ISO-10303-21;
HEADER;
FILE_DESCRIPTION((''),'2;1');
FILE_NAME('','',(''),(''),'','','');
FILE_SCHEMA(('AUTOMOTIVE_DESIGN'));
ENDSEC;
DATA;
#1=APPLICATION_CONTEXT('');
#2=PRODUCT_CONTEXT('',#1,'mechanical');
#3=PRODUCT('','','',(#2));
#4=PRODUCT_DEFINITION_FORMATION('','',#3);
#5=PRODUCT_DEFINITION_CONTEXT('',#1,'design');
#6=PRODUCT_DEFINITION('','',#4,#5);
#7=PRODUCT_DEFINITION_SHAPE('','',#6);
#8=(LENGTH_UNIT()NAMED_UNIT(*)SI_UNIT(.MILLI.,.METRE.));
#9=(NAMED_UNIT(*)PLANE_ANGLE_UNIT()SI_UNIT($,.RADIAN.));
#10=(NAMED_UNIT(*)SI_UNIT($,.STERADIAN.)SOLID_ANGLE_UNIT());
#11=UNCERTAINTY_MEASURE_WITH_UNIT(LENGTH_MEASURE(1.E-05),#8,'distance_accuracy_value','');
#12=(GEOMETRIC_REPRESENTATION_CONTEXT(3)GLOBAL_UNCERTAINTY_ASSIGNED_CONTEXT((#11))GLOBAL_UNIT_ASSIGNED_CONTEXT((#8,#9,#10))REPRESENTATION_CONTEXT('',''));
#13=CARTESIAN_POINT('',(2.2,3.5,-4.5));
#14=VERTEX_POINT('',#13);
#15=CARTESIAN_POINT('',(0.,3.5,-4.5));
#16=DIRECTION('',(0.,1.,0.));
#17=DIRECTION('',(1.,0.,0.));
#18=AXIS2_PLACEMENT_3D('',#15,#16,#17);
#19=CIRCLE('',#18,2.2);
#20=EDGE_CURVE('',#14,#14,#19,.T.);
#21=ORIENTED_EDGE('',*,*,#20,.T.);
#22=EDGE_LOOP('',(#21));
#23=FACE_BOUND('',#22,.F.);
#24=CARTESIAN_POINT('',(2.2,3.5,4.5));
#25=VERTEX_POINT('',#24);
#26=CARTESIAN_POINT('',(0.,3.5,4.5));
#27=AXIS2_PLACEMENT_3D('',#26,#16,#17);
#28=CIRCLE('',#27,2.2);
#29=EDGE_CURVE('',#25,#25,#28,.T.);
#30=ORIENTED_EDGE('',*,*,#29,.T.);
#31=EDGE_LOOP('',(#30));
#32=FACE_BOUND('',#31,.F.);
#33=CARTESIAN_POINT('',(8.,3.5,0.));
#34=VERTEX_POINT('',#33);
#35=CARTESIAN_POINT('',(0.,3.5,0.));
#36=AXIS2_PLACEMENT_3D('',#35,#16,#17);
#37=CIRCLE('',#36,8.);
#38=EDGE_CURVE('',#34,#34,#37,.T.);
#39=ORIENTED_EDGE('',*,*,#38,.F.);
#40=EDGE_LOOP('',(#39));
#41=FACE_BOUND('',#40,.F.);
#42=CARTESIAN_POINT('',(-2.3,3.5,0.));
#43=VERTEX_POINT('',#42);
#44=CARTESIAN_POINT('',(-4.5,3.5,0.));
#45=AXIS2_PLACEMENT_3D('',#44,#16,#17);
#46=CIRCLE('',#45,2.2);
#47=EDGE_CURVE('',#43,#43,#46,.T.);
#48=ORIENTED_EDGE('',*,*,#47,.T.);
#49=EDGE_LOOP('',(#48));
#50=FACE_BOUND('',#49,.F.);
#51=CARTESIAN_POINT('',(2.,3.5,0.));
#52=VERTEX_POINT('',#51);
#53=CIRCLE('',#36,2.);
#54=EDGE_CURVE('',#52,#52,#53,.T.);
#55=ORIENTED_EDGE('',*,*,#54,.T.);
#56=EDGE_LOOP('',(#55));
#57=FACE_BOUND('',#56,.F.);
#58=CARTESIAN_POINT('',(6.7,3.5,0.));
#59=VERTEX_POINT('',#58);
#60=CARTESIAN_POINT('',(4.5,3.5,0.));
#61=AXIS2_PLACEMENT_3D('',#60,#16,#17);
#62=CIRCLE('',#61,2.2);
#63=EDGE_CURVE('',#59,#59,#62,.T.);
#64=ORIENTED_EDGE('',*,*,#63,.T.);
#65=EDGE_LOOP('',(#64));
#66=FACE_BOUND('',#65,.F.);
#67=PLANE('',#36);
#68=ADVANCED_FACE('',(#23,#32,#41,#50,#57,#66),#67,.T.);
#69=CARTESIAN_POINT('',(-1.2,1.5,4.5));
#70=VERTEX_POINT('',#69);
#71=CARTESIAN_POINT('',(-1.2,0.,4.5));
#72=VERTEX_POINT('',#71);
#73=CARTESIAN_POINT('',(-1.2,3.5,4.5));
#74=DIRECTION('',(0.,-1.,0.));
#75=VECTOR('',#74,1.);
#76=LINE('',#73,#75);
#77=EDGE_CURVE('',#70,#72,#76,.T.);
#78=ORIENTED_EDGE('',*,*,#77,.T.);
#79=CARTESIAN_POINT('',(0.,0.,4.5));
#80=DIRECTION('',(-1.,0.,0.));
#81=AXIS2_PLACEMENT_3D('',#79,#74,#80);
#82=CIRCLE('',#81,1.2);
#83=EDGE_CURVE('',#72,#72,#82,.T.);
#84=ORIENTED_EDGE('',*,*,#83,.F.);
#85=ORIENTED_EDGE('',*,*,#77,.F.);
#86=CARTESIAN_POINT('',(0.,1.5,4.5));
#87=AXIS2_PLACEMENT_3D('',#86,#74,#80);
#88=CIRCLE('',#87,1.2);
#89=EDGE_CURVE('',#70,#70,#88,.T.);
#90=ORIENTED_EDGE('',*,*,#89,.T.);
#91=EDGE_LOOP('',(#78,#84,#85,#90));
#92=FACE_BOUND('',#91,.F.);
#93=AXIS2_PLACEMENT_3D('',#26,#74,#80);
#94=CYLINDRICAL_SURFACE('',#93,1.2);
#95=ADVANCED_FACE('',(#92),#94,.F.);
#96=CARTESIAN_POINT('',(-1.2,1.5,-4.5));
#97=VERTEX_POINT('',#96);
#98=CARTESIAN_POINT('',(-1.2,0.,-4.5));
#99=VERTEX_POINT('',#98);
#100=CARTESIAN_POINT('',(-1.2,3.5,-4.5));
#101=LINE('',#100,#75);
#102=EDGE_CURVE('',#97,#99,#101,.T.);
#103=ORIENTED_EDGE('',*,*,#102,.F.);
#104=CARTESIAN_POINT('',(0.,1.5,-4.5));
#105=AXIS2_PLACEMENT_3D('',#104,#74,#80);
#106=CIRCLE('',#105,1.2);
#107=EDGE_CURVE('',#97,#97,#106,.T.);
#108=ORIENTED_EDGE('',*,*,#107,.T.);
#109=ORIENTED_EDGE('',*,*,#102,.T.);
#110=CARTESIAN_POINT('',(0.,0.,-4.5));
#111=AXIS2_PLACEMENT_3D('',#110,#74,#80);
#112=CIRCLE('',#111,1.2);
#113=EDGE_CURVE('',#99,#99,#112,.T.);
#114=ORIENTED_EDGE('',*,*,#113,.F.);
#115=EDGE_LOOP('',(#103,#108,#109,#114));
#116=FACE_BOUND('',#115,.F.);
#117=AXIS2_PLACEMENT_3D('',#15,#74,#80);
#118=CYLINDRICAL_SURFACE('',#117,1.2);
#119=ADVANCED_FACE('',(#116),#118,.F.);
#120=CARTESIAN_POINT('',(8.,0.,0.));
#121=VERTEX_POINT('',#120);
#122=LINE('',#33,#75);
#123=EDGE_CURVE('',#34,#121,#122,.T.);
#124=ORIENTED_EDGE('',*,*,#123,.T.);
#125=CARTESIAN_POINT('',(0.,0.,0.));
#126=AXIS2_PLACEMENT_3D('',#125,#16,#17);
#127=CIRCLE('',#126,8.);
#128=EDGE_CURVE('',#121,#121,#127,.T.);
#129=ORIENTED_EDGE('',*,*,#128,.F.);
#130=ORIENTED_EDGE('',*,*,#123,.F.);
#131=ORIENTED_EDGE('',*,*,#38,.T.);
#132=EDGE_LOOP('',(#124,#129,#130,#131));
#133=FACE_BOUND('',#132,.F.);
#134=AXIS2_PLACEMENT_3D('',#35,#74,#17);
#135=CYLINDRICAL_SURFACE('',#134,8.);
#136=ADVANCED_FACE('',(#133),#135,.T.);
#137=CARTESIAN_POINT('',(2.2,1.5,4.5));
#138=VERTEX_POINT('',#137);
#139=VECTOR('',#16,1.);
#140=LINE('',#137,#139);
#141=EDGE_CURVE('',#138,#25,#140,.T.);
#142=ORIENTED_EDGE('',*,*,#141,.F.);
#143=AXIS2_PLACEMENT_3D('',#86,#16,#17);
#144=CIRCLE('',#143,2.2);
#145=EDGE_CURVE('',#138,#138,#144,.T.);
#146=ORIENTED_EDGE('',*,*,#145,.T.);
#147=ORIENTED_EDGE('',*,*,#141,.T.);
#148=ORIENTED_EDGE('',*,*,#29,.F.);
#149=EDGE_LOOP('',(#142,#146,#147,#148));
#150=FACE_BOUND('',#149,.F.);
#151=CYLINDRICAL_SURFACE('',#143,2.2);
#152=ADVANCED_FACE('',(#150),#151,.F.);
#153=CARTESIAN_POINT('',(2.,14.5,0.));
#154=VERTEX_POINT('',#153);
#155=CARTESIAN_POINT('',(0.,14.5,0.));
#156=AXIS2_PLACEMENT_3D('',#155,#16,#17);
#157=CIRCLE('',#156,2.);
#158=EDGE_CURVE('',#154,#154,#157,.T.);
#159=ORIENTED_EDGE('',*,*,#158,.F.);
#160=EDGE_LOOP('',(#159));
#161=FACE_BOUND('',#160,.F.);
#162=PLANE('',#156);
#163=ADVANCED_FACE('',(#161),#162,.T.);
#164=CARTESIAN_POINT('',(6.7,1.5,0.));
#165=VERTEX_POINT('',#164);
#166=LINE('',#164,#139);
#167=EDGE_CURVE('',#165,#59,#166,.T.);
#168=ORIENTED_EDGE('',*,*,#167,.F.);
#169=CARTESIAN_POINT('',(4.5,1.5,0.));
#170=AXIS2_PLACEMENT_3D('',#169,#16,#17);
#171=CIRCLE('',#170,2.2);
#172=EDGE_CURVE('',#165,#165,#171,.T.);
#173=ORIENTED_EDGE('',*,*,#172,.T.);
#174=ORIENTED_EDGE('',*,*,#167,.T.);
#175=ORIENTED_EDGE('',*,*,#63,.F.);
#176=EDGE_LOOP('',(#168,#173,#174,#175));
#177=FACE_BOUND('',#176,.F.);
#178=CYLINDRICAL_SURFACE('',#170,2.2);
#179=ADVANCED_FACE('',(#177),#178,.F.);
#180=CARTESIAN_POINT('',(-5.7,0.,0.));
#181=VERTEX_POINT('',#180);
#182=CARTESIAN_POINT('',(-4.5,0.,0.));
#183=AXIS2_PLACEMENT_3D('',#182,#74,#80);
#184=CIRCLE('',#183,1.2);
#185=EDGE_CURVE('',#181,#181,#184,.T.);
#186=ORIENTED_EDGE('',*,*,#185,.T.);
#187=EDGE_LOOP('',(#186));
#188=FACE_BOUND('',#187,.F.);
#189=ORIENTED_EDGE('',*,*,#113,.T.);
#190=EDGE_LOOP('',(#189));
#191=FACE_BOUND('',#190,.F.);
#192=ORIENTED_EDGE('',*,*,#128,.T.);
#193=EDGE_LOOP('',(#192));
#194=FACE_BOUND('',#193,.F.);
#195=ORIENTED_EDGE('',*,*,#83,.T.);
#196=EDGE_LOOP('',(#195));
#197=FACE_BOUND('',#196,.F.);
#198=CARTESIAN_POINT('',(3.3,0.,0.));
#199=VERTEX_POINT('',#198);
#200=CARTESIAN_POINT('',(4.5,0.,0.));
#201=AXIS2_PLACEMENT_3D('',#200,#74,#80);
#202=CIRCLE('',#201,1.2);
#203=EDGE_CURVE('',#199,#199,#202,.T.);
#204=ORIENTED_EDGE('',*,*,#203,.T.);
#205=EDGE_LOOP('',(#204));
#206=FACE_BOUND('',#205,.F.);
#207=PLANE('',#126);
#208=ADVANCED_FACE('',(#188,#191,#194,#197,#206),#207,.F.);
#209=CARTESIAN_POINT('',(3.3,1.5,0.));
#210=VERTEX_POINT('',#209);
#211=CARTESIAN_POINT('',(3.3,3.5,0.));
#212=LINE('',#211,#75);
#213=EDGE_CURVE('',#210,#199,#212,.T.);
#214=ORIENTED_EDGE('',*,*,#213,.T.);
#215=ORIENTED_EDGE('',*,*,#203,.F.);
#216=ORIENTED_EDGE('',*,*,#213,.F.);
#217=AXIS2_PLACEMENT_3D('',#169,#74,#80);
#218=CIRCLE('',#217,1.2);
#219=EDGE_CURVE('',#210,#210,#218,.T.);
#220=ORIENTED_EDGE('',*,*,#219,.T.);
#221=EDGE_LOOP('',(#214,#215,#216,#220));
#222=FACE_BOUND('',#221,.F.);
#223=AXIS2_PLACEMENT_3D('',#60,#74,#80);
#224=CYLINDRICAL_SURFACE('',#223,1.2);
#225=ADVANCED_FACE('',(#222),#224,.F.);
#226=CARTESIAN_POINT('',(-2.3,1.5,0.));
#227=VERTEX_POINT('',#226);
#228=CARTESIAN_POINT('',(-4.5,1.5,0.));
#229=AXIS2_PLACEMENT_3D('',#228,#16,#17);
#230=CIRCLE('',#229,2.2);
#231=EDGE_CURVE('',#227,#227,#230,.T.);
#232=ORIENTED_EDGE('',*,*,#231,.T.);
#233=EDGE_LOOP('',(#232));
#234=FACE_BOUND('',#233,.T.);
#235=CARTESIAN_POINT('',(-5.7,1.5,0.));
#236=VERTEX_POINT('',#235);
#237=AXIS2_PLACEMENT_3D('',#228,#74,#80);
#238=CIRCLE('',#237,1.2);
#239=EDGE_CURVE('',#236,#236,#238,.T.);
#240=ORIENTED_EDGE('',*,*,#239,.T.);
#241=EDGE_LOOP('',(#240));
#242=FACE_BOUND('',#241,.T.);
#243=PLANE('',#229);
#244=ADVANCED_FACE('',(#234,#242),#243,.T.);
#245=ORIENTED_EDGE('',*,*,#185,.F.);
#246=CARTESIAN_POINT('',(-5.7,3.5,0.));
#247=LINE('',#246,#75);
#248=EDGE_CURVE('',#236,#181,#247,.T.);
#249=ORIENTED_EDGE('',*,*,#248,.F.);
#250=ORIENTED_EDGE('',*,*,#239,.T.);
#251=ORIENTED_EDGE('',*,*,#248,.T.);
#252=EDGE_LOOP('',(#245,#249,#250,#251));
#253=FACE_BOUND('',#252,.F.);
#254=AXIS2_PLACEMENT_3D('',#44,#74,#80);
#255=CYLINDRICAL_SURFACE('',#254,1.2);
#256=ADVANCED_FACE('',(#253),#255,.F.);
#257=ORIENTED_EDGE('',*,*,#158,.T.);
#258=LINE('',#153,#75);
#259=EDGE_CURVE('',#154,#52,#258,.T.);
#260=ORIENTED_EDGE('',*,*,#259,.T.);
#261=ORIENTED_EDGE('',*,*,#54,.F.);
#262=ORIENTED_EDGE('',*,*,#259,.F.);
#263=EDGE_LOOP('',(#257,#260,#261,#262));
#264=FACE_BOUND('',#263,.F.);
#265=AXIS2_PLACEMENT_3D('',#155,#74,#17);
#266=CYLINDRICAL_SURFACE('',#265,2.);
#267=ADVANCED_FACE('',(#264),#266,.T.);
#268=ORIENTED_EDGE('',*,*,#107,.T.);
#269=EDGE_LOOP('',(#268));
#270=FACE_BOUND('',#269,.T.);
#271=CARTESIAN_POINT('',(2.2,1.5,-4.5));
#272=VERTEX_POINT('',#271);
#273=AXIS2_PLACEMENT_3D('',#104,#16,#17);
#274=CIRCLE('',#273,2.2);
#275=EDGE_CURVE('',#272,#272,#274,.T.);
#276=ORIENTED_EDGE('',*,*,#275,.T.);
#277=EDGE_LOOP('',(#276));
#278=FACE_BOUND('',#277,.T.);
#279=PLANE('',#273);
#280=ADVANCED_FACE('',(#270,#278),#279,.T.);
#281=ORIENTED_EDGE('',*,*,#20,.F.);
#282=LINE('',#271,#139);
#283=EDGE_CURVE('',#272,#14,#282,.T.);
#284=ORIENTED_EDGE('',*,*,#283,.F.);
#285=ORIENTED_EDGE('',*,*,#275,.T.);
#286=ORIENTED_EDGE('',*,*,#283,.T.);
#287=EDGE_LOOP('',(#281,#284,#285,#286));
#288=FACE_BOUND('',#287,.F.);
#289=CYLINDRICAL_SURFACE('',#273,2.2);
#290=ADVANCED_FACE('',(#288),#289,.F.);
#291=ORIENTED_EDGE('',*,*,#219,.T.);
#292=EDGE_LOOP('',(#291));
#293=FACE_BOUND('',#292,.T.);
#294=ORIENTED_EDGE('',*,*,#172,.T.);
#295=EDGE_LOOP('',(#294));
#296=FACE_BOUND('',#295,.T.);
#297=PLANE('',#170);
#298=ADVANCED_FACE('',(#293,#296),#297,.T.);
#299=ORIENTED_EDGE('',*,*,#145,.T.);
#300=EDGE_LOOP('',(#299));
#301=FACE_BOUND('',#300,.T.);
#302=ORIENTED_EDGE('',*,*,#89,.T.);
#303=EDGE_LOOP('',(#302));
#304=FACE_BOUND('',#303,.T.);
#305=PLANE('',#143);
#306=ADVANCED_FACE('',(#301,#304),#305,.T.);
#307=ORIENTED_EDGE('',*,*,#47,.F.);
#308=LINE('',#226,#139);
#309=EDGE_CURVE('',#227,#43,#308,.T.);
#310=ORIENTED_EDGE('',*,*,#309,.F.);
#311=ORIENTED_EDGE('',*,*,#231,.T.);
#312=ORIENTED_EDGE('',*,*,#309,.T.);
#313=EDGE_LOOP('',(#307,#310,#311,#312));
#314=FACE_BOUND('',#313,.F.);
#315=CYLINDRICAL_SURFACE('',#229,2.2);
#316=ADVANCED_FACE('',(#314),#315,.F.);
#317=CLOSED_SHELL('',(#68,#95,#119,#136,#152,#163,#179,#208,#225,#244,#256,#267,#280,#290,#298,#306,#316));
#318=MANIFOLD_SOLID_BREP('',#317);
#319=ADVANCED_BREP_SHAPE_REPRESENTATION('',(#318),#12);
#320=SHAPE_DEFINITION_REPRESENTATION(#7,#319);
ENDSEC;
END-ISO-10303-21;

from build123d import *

# Parameters (mm, degrees)
CBORE_FOR_M2_SHCS1_D           = 2.4
CBORE_FOR_M2_SHCS1_CBORE_D     = 4.4
CBORE_FOR_M2_SHCS1_CBORE_DEPTH = 2


with BuildPart() as part:
    # Sketch3 → Revolve1 (revolve)
    with BuildSketch(Plane.XY):
        Polygon((0, 0), (0, 14.5), (2, 14.5), (2, 3.5), (8, 3.5), (8, 0), align=None)
    revolve(axis=Axis((0, 0, 0), (0, 1, 0)))

    # CBORE for M2 SHCS1 (through all)
    with Locations(Plane(origin=(0, 3.5, 0), x_dir=(1, 0, 0), z_dir=(0, 1, 0))):
        with Locations((-4.5, 0), (0, 4.5), (4.5, 0), (0, -4.5)):
            CounterBoreHole(CBORE_FOR_M2_SHCS1_D / 2, CBORE_FOR_M2_SHCS1_CBORE_D / 2, CBORE_FOR_M2_SHCS1_CBORE_DEPTH)


solid = part.part
